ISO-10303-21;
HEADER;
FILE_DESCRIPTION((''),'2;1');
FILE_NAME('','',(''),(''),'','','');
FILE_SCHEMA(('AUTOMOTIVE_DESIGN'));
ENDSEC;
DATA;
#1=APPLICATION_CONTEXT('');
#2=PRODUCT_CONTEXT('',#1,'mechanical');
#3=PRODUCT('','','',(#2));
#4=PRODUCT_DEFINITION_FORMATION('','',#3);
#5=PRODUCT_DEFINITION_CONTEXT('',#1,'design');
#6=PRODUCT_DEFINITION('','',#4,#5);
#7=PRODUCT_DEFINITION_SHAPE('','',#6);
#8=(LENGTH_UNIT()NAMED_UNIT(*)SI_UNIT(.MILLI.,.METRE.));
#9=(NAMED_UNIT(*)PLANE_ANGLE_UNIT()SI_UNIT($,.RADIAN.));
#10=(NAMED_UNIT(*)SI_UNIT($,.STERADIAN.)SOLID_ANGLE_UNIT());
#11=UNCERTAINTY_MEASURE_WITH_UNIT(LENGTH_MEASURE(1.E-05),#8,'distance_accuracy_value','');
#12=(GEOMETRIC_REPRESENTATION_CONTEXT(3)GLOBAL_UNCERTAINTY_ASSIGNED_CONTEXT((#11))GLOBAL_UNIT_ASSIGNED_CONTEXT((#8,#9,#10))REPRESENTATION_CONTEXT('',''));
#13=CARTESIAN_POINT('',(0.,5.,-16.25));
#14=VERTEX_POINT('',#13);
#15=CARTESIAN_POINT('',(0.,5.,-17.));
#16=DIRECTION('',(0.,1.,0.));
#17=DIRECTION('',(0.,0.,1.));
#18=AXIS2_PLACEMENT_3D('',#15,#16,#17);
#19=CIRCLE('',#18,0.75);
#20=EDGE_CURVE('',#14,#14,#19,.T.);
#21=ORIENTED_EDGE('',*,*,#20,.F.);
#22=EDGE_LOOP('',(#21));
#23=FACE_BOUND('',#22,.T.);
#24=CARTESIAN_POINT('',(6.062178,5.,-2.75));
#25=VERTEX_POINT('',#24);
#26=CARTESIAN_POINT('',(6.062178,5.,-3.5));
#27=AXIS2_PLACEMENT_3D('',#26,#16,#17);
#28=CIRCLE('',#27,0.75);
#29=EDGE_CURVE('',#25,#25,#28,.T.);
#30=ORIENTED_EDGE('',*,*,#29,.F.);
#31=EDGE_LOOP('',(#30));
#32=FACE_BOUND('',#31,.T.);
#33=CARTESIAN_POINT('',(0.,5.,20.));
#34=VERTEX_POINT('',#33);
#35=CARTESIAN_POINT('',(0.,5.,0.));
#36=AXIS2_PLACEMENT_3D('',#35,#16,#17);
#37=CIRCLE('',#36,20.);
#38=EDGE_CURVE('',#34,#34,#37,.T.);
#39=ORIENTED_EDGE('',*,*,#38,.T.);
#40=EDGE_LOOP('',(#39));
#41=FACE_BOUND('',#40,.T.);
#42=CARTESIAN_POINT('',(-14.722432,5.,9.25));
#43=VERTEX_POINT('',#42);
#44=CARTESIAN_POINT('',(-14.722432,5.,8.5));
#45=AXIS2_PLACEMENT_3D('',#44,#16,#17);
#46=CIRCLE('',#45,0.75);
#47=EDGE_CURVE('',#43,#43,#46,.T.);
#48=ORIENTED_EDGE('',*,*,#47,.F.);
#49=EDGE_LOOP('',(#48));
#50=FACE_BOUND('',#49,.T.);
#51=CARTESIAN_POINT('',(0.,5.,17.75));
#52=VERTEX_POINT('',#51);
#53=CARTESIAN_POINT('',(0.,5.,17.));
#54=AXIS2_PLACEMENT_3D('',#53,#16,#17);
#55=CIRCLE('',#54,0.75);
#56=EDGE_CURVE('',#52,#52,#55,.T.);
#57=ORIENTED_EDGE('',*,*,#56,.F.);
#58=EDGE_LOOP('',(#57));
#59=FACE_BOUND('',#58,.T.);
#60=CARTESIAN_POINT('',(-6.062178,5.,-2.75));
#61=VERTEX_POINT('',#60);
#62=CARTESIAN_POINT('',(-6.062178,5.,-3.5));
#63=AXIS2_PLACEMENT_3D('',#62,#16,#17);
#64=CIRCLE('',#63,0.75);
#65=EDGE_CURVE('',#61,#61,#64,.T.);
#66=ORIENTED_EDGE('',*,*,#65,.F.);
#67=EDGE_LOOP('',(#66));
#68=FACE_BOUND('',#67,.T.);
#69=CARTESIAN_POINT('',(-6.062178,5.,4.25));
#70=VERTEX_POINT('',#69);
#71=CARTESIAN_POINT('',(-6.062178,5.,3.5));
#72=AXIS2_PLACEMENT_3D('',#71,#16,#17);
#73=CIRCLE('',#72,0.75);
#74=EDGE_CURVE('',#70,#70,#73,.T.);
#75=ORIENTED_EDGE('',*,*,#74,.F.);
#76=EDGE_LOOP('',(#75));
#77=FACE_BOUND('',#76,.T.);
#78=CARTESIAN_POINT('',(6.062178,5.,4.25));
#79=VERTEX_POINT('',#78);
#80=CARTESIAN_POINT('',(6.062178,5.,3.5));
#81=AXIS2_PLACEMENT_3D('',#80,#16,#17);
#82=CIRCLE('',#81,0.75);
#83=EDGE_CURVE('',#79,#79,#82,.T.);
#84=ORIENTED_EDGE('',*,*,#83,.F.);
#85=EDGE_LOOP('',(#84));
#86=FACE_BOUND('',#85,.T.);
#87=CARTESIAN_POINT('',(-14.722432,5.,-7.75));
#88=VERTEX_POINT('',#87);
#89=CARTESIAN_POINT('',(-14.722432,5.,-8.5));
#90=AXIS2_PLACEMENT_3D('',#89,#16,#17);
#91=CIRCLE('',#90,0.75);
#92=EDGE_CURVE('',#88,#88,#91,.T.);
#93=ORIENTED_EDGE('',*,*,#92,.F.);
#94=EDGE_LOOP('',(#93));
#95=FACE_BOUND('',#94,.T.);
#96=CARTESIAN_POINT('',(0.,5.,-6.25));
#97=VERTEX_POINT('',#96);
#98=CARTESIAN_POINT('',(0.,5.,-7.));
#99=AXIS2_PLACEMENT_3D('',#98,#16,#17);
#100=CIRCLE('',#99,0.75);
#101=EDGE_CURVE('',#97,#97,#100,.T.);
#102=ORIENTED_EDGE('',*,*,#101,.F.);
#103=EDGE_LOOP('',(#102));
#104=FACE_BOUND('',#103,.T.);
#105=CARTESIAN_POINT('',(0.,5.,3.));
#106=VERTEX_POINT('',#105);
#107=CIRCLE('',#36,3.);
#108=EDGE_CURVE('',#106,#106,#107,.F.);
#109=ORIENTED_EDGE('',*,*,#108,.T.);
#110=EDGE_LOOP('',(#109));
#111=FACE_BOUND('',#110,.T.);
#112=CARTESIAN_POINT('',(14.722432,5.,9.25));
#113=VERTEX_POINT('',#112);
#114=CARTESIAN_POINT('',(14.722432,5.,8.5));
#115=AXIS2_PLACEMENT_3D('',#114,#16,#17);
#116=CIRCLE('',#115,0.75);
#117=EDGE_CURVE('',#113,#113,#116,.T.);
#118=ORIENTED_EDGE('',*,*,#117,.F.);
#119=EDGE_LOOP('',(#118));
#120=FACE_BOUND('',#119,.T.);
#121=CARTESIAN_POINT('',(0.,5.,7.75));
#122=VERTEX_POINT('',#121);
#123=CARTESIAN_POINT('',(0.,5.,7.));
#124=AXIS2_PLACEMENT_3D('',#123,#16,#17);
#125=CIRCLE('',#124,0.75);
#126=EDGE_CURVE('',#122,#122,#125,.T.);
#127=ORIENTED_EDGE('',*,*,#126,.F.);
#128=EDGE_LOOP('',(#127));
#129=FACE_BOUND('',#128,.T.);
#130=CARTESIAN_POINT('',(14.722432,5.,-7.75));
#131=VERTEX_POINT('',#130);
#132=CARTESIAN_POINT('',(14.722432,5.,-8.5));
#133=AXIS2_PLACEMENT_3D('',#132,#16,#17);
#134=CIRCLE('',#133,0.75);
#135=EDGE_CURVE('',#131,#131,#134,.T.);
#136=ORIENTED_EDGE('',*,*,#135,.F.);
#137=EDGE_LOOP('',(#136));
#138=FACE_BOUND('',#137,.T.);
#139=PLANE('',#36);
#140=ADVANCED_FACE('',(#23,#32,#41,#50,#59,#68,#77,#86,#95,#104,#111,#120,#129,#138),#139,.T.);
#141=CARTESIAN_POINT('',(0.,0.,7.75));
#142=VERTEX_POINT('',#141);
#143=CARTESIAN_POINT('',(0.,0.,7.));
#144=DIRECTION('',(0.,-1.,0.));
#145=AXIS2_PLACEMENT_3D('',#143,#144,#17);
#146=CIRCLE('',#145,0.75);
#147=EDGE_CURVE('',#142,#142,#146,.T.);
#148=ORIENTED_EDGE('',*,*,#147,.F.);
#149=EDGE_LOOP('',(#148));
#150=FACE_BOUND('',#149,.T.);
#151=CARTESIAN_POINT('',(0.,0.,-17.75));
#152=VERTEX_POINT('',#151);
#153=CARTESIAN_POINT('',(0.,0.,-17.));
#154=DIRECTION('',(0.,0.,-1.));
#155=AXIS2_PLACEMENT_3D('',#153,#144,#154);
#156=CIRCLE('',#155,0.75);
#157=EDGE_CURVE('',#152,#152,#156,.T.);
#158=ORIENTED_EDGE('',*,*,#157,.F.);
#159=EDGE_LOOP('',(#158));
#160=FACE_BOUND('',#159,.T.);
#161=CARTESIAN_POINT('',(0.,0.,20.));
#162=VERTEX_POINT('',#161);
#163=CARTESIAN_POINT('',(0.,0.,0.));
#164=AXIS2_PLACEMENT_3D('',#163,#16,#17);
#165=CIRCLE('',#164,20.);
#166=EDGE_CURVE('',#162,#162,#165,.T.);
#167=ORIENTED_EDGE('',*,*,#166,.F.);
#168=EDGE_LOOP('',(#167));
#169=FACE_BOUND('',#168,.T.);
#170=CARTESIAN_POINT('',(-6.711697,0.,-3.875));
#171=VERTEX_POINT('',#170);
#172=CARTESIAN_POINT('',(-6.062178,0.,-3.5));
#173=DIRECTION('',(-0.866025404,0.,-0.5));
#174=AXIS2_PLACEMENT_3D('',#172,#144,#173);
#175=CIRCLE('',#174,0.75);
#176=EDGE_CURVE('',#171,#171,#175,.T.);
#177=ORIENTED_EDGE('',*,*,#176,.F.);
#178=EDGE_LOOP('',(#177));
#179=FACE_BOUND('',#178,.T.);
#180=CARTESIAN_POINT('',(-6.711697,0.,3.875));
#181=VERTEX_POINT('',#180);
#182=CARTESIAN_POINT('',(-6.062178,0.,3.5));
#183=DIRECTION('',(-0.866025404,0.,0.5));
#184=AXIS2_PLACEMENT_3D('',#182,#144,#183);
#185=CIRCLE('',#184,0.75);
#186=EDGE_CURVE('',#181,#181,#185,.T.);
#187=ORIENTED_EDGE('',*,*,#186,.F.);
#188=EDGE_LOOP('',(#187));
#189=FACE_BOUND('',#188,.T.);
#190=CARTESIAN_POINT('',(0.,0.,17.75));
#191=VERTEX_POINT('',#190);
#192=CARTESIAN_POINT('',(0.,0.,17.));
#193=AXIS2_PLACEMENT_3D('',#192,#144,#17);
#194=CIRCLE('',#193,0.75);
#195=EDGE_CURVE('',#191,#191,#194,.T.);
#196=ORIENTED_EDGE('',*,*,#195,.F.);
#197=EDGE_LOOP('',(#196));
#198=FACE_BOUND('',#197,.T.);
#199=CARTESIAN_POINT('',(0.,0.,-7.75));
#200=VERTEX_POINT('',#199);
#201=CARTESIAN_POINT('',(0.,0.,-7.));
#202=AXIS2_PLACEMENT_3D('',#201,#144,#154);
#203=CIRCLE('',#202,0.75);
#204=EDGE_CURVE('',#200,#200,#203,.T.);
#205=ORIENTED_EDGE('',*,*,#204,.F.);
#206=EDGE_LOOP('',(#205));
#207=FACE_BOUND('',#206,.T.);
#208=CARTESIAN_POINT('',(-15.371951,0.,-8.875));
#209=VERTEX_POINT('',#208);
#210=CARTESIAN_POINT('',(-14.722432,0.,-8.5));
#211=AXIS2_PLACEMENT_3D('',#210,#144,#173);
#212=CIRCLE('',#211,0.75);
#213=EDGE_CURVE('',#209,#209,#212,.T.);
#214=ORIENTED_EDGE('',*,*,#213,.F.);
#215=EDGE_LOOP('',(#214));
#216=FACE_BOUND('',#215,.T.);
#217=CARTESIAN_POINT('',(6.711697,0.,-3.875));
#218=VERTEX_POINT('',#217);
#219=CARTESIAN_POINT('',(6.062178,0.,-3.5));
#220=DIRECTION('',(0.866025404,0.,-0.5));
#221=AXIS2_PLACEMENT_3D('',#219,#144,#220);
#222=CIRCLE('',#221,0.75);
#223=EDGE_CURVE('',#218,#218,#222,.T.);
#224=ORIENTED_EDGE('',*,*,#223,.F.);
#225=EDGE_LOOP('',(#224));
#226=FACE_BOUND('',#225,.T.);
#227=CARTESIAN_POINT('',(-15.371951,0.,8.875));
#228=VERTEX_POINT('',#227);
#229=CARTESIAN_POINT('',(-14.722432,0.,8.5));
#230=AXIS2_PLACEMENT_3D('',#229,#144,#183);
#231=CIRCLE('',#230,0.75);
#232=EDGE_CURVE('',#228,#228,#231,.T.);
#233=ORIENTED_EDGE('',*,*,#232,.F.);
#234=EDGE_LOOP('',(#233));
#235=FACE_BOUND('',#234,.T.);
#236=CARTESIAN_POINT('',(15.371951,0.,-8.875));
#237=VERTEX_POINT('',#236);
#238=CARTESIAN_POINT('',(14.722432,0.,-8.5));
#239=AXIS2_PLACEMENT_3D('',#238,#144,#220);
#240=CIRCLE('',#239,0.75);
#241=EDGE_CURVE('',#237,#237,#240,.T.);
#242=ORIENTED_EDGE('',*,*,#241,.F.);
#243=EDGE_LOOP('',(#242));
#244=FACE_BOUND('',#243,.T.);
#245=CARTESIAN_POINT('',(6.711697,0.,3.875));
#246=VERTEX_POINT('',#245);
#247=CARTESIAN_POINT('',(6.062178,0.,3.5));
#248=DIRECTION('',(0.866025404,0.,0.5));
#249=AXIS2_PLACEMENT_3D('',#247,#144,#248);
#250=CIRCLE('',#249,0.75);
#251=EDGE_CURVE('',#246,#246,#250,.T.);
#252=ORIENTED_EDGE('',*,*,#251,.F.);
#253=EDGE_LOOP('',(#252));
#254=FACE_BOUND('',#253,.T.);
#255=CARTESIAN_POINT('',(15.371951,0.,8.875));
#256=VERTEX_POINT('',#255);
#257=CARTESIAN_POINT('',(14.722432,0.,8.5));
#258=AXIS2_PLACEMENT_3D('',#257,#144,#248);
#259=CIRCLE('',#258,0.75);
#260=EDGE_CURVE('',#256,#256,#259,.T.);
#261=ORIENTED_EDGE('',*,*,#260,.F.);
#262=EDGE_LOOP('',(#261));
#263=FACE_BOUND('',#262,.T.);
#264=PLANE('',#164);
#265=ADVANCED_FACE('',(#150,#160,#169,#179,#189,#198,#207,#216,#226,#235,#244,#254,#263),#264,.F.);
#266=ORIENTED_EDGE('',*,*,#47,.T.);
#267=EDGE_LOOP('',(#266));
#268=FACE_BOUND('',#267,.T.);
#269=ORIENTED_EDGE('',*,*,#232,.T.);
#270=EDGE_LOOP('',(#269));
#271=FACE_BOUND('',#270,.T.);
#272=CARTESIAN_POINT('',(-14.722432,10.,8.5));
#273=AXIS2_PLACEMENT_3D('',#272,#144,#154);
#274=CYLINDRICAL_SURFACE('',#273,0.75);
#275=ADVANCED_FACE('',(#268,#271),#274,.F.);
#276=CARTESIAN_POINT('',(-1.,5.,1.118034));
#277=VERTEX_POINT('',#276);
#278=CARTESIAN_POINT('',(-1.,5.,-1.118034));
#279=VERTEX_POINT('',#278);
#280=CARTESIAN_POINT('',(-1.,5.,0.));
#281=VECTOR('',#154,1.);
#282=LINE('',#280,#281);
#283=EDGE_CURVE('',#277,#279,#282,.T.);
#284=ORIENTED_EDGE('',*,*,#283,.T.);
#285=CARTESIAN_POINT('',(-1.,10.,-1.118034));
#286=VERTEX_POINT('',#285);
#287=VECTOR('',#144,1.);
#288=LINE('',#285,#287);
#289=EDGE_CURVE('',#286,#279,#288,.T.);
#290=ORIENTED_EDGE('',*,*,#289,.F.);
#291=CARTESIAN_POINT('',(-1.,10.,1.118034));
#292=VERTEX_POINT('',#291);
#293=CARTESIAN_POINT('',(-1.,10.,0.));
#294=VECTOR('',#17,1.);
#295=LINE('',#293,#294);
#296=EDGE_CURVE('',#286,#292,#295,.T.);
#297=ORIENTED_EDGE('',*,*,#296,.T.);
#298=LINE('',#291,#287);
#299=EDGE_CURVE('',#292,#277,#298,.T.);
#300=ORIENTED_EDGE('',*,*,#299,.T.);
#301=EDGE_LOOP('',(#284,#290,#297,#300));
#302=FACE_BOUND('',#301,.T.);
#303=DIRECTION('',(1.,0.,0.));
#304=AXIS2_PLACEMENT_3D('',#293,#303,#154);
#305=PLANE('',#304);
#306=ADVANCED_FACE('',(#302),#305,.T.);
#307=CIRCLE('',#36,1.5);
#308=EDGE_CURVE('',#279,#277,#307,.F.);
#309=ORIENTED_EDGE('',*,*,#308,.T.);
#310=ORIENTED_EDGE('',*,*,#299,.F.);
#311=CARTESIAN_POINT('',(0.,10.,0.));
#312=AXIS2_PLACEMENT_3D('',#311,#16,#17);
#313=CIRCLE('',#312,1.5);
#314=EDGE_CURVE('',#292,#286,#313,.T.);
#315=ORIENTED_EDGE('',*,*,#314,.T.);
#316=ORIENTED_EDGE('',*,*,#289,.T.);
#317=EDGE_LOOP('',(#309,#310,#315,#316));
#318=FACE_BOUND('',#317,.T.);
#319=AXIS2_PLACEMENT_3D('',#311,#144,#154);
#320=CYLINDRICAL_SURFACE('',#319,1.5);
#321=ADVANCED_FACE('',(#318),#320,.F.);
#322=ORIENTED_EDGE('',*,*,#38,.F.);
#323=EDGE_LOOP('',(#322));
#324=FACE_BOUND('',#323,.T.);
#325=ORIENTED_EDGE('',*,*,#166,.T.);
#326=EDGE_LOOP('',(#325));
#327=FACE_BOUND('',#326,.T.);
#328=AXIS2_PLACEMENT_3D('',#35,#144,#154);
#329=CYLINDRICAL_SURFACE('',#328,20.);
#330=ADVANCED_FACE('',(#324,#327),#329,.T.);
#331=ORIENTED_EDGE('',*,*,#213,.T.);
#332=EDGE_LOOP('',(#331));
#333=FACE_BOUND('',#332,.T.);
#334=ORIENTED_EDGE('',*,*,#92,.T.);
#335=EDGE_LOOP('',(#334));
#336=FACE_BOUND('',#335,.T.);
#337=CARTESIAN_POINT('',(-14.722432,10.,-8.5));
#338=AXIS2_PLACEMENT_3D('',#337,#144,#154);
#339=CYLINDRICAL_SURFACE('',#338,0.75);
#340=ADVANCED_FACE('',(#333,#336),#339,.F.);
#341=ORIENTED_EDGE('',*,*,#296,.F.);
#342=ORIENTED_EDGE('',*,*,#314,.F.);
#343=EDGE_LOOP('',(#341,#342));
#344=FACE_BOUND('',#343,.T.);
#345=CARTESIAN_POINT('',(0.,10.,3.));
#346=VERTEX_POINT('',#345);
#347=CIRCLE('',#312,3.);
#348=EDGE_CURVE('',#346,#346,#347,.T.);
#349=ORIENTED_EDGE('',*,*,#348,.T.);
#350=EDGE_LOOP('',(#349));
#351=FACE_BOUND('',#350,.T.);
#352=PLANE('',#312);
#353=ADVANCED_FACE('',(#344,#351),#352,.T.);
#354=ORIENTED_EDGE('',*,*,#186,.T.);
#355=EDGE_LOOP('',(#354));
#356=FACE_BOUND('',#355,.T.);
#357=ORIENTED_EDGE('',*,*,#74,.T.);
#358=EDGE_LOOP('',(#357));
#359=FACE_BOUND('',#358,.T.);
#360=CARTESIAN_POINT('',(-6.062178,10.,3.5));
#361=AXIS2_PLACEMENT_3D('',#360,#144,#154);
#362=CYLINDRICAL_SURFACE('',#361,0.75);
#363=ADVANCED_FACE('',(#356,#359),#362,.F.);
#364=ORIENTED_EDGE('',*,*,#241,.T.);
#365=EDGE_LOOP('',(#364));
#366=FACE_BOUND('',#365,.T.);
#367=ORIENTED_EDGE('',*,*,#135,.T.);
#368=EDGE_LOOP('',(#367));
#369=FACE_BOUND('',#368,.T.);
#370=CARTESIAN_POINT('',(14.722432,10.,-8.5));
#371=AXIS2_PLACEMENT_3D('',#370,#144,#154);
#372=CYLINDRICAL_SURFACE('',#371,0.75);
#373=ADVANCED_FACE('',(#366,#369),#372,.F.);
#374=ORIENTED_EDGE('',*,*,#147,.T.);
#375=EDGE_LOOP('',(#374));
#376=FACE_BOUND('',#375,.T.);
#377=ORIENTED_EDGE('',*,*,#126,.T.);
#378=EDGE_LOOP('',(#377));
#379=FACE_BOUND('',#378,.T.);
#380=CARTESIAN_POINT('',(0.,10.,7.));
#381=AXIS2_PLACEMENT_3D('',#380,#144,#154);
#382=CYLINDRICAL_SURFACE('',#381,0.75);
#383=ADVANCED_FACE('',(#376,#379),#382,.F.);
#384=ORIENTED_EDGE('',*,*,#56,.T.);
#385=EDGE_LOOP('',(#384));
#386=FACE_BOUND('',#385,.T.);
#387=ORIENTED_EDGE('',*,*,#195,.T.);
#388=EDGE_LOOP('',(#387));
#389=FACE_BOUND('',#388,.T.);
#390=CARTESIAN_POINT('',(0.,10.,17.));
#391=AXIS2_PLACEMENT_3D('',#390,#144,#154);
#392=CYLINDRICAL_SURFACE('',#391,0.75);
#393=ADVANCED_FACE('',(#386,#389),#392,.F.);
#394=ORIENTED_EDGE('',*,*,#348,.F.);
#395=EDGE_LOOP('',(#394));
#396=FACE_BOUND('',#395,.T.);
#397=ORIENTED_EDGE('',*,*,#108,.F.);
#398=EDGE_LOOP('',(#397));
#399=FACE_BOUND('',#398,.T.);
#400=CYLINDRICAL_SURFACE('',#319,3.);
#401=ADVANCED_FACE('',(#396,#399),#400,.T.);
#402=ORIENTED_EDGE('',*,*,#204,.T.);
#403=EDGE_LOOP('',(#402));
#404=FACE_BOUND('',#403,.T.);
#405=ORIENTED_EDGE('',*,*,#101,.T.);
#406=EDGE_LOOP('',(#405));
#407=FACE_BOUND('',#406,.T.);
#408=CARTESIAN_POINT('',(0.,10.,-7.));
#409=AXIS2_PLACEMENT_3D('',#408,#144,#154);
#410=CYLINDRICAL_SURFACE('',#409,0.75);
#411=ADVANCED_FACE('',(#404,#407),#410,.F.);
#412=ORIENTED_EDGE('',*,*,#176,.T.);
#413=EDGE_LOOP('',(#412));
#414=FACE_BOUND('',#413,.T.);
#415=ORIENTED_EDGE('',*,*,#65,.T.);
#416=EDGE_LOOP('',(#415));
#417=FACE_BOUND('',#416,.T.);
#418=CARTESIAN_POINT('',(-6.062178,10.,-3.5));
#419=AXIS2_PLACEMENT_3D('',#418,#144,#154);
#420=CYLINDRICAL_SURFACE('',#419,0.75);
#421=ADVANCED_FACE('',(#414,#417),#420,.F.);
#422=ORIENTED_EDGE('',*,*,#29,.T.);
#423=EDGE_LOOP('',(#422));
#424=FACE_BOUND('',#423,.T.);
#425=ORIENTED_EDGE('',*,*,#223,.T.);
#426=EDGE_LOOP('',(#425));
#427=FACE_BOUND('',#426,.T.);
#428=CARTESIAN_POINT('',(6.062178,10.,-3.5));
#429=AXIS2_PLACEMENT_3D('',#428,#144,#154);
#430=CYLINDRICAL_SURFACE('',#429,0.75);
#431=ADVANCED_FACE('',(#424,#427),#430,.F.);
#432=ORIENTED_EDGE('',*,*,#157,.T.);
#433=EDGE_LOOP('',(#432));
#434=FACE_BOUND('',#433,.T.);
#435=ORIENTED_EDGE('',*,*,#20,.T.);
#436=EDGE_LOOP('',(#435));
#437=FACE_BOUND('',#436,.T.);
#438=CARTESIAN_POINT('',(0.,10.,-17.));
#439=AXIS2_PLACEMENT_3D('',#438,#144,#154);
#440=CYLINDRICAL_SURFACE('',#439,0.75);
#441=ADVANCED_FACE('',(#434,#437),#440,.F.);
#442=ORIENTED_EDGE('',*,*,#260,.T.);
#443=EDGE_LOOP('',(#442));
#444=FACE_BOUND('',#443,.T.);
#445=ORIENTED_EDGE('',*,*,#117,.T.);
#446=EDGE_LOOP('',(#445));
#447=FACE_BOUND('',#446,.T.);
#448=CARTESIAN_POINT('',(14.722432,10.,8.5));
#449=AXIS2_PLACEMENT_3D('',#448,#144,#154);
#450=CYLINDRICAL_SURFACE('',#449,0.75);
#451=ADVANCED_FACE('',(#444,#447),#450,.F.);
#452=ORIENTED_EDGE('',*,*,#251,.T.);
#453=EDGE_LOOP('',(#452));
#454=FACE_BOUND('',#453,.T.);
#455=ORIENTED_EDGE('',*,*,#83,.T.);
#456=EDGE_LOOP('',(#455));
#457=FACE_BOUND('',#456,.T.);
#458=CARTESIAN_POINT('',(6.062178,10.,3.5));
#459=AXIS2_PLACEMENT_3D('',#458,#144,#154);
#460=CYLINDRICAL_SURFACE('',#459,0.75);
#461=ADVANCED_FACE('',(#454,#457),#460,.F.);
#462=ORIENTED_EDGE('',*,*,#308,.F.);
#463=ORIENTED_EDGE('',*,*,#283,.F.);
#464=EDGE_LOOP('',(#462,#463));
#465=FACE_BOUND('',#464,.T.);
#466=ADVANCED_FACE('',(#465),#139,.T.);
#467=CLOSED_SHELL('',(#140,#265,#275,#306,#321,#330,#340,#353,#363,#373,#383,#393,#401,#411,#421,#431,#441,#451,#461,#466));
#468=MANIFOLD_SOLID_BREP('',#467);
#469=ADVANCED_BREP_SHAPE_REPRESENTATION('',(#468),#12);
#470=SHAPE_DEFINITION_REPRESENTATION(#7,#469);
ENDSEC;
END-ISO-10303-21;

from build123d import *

# Parameters (mm, degrees)
SKETCH_1_R               = 20
EXTRUDE_1_DEPTH          = 5
SKETCH_1_7_R             = 3
EXTRUDE_2_DEPTH          = 10
SKETCH_2_R               = 0.75
CUT_EXTRUDE_1_DEPTH      = 31
PATTERN_CIRCULAR_1_COUNT = 6


with BuildPart() as part:
    # 草图1 → 凸台-拉伸1 (new body)
    with BuildSketch(Plane(origin=(0, 0, 0), x_dir=(1, 0, 0), z_dir=(0, 1, 0))):
        Circle(SKETCH_1_R)
    extrude(amount=EXTRUDE_1_DEPTH)

    # 草图1<7> → 凸台-拉伸2 (add)
    with BuildSketch(Plane(origin=(0, 0, 0), x_dir=(1, 0, 0), z_dir=(0, 1, 0))):
        Circle(SKETCH_1_7_R)
        with BuildLine():
            Line((-1, -1.118033989), (-1, 1.118033989))
            ThreePointArc((-1, 1.118033989), (1.5, 0), (-1, -1.118033989))
        make_face(mode=Mode.SUBTRACT)
    extrude(amount=EXTRUDE_2_DEPTH)

    # 草图2 → 切除-拉伸1 (cut, through all)
    with BuildSketch(Plane.XZ):
        with Locations((0, -7)):
            Circle(SKETCH_2_R)
        with Locations((0, -17)):
            Circle(SKETCH_2_R)
    cut_extrude_1 = extrude(amount=-CUT_EXTRUDE_1_DEPTH, mode=Mode.SUBTRACT)

    # 阵列(圆周)1: 切除-拉伸1 ×6 about axis
    pattern_circular_1_axis = Axis((0, 5, 0), (0, -1, 0))
    for i in range(1, PATTERN_CIRCULAR_1_COUNT):
        add(cut_extrude_1.rotate(pattern_circular_1_axis, i * 360 / PATTERN_CIRCULAR_1_COUNT), mode=Mode.SUBTRACT)


solid = part.part
